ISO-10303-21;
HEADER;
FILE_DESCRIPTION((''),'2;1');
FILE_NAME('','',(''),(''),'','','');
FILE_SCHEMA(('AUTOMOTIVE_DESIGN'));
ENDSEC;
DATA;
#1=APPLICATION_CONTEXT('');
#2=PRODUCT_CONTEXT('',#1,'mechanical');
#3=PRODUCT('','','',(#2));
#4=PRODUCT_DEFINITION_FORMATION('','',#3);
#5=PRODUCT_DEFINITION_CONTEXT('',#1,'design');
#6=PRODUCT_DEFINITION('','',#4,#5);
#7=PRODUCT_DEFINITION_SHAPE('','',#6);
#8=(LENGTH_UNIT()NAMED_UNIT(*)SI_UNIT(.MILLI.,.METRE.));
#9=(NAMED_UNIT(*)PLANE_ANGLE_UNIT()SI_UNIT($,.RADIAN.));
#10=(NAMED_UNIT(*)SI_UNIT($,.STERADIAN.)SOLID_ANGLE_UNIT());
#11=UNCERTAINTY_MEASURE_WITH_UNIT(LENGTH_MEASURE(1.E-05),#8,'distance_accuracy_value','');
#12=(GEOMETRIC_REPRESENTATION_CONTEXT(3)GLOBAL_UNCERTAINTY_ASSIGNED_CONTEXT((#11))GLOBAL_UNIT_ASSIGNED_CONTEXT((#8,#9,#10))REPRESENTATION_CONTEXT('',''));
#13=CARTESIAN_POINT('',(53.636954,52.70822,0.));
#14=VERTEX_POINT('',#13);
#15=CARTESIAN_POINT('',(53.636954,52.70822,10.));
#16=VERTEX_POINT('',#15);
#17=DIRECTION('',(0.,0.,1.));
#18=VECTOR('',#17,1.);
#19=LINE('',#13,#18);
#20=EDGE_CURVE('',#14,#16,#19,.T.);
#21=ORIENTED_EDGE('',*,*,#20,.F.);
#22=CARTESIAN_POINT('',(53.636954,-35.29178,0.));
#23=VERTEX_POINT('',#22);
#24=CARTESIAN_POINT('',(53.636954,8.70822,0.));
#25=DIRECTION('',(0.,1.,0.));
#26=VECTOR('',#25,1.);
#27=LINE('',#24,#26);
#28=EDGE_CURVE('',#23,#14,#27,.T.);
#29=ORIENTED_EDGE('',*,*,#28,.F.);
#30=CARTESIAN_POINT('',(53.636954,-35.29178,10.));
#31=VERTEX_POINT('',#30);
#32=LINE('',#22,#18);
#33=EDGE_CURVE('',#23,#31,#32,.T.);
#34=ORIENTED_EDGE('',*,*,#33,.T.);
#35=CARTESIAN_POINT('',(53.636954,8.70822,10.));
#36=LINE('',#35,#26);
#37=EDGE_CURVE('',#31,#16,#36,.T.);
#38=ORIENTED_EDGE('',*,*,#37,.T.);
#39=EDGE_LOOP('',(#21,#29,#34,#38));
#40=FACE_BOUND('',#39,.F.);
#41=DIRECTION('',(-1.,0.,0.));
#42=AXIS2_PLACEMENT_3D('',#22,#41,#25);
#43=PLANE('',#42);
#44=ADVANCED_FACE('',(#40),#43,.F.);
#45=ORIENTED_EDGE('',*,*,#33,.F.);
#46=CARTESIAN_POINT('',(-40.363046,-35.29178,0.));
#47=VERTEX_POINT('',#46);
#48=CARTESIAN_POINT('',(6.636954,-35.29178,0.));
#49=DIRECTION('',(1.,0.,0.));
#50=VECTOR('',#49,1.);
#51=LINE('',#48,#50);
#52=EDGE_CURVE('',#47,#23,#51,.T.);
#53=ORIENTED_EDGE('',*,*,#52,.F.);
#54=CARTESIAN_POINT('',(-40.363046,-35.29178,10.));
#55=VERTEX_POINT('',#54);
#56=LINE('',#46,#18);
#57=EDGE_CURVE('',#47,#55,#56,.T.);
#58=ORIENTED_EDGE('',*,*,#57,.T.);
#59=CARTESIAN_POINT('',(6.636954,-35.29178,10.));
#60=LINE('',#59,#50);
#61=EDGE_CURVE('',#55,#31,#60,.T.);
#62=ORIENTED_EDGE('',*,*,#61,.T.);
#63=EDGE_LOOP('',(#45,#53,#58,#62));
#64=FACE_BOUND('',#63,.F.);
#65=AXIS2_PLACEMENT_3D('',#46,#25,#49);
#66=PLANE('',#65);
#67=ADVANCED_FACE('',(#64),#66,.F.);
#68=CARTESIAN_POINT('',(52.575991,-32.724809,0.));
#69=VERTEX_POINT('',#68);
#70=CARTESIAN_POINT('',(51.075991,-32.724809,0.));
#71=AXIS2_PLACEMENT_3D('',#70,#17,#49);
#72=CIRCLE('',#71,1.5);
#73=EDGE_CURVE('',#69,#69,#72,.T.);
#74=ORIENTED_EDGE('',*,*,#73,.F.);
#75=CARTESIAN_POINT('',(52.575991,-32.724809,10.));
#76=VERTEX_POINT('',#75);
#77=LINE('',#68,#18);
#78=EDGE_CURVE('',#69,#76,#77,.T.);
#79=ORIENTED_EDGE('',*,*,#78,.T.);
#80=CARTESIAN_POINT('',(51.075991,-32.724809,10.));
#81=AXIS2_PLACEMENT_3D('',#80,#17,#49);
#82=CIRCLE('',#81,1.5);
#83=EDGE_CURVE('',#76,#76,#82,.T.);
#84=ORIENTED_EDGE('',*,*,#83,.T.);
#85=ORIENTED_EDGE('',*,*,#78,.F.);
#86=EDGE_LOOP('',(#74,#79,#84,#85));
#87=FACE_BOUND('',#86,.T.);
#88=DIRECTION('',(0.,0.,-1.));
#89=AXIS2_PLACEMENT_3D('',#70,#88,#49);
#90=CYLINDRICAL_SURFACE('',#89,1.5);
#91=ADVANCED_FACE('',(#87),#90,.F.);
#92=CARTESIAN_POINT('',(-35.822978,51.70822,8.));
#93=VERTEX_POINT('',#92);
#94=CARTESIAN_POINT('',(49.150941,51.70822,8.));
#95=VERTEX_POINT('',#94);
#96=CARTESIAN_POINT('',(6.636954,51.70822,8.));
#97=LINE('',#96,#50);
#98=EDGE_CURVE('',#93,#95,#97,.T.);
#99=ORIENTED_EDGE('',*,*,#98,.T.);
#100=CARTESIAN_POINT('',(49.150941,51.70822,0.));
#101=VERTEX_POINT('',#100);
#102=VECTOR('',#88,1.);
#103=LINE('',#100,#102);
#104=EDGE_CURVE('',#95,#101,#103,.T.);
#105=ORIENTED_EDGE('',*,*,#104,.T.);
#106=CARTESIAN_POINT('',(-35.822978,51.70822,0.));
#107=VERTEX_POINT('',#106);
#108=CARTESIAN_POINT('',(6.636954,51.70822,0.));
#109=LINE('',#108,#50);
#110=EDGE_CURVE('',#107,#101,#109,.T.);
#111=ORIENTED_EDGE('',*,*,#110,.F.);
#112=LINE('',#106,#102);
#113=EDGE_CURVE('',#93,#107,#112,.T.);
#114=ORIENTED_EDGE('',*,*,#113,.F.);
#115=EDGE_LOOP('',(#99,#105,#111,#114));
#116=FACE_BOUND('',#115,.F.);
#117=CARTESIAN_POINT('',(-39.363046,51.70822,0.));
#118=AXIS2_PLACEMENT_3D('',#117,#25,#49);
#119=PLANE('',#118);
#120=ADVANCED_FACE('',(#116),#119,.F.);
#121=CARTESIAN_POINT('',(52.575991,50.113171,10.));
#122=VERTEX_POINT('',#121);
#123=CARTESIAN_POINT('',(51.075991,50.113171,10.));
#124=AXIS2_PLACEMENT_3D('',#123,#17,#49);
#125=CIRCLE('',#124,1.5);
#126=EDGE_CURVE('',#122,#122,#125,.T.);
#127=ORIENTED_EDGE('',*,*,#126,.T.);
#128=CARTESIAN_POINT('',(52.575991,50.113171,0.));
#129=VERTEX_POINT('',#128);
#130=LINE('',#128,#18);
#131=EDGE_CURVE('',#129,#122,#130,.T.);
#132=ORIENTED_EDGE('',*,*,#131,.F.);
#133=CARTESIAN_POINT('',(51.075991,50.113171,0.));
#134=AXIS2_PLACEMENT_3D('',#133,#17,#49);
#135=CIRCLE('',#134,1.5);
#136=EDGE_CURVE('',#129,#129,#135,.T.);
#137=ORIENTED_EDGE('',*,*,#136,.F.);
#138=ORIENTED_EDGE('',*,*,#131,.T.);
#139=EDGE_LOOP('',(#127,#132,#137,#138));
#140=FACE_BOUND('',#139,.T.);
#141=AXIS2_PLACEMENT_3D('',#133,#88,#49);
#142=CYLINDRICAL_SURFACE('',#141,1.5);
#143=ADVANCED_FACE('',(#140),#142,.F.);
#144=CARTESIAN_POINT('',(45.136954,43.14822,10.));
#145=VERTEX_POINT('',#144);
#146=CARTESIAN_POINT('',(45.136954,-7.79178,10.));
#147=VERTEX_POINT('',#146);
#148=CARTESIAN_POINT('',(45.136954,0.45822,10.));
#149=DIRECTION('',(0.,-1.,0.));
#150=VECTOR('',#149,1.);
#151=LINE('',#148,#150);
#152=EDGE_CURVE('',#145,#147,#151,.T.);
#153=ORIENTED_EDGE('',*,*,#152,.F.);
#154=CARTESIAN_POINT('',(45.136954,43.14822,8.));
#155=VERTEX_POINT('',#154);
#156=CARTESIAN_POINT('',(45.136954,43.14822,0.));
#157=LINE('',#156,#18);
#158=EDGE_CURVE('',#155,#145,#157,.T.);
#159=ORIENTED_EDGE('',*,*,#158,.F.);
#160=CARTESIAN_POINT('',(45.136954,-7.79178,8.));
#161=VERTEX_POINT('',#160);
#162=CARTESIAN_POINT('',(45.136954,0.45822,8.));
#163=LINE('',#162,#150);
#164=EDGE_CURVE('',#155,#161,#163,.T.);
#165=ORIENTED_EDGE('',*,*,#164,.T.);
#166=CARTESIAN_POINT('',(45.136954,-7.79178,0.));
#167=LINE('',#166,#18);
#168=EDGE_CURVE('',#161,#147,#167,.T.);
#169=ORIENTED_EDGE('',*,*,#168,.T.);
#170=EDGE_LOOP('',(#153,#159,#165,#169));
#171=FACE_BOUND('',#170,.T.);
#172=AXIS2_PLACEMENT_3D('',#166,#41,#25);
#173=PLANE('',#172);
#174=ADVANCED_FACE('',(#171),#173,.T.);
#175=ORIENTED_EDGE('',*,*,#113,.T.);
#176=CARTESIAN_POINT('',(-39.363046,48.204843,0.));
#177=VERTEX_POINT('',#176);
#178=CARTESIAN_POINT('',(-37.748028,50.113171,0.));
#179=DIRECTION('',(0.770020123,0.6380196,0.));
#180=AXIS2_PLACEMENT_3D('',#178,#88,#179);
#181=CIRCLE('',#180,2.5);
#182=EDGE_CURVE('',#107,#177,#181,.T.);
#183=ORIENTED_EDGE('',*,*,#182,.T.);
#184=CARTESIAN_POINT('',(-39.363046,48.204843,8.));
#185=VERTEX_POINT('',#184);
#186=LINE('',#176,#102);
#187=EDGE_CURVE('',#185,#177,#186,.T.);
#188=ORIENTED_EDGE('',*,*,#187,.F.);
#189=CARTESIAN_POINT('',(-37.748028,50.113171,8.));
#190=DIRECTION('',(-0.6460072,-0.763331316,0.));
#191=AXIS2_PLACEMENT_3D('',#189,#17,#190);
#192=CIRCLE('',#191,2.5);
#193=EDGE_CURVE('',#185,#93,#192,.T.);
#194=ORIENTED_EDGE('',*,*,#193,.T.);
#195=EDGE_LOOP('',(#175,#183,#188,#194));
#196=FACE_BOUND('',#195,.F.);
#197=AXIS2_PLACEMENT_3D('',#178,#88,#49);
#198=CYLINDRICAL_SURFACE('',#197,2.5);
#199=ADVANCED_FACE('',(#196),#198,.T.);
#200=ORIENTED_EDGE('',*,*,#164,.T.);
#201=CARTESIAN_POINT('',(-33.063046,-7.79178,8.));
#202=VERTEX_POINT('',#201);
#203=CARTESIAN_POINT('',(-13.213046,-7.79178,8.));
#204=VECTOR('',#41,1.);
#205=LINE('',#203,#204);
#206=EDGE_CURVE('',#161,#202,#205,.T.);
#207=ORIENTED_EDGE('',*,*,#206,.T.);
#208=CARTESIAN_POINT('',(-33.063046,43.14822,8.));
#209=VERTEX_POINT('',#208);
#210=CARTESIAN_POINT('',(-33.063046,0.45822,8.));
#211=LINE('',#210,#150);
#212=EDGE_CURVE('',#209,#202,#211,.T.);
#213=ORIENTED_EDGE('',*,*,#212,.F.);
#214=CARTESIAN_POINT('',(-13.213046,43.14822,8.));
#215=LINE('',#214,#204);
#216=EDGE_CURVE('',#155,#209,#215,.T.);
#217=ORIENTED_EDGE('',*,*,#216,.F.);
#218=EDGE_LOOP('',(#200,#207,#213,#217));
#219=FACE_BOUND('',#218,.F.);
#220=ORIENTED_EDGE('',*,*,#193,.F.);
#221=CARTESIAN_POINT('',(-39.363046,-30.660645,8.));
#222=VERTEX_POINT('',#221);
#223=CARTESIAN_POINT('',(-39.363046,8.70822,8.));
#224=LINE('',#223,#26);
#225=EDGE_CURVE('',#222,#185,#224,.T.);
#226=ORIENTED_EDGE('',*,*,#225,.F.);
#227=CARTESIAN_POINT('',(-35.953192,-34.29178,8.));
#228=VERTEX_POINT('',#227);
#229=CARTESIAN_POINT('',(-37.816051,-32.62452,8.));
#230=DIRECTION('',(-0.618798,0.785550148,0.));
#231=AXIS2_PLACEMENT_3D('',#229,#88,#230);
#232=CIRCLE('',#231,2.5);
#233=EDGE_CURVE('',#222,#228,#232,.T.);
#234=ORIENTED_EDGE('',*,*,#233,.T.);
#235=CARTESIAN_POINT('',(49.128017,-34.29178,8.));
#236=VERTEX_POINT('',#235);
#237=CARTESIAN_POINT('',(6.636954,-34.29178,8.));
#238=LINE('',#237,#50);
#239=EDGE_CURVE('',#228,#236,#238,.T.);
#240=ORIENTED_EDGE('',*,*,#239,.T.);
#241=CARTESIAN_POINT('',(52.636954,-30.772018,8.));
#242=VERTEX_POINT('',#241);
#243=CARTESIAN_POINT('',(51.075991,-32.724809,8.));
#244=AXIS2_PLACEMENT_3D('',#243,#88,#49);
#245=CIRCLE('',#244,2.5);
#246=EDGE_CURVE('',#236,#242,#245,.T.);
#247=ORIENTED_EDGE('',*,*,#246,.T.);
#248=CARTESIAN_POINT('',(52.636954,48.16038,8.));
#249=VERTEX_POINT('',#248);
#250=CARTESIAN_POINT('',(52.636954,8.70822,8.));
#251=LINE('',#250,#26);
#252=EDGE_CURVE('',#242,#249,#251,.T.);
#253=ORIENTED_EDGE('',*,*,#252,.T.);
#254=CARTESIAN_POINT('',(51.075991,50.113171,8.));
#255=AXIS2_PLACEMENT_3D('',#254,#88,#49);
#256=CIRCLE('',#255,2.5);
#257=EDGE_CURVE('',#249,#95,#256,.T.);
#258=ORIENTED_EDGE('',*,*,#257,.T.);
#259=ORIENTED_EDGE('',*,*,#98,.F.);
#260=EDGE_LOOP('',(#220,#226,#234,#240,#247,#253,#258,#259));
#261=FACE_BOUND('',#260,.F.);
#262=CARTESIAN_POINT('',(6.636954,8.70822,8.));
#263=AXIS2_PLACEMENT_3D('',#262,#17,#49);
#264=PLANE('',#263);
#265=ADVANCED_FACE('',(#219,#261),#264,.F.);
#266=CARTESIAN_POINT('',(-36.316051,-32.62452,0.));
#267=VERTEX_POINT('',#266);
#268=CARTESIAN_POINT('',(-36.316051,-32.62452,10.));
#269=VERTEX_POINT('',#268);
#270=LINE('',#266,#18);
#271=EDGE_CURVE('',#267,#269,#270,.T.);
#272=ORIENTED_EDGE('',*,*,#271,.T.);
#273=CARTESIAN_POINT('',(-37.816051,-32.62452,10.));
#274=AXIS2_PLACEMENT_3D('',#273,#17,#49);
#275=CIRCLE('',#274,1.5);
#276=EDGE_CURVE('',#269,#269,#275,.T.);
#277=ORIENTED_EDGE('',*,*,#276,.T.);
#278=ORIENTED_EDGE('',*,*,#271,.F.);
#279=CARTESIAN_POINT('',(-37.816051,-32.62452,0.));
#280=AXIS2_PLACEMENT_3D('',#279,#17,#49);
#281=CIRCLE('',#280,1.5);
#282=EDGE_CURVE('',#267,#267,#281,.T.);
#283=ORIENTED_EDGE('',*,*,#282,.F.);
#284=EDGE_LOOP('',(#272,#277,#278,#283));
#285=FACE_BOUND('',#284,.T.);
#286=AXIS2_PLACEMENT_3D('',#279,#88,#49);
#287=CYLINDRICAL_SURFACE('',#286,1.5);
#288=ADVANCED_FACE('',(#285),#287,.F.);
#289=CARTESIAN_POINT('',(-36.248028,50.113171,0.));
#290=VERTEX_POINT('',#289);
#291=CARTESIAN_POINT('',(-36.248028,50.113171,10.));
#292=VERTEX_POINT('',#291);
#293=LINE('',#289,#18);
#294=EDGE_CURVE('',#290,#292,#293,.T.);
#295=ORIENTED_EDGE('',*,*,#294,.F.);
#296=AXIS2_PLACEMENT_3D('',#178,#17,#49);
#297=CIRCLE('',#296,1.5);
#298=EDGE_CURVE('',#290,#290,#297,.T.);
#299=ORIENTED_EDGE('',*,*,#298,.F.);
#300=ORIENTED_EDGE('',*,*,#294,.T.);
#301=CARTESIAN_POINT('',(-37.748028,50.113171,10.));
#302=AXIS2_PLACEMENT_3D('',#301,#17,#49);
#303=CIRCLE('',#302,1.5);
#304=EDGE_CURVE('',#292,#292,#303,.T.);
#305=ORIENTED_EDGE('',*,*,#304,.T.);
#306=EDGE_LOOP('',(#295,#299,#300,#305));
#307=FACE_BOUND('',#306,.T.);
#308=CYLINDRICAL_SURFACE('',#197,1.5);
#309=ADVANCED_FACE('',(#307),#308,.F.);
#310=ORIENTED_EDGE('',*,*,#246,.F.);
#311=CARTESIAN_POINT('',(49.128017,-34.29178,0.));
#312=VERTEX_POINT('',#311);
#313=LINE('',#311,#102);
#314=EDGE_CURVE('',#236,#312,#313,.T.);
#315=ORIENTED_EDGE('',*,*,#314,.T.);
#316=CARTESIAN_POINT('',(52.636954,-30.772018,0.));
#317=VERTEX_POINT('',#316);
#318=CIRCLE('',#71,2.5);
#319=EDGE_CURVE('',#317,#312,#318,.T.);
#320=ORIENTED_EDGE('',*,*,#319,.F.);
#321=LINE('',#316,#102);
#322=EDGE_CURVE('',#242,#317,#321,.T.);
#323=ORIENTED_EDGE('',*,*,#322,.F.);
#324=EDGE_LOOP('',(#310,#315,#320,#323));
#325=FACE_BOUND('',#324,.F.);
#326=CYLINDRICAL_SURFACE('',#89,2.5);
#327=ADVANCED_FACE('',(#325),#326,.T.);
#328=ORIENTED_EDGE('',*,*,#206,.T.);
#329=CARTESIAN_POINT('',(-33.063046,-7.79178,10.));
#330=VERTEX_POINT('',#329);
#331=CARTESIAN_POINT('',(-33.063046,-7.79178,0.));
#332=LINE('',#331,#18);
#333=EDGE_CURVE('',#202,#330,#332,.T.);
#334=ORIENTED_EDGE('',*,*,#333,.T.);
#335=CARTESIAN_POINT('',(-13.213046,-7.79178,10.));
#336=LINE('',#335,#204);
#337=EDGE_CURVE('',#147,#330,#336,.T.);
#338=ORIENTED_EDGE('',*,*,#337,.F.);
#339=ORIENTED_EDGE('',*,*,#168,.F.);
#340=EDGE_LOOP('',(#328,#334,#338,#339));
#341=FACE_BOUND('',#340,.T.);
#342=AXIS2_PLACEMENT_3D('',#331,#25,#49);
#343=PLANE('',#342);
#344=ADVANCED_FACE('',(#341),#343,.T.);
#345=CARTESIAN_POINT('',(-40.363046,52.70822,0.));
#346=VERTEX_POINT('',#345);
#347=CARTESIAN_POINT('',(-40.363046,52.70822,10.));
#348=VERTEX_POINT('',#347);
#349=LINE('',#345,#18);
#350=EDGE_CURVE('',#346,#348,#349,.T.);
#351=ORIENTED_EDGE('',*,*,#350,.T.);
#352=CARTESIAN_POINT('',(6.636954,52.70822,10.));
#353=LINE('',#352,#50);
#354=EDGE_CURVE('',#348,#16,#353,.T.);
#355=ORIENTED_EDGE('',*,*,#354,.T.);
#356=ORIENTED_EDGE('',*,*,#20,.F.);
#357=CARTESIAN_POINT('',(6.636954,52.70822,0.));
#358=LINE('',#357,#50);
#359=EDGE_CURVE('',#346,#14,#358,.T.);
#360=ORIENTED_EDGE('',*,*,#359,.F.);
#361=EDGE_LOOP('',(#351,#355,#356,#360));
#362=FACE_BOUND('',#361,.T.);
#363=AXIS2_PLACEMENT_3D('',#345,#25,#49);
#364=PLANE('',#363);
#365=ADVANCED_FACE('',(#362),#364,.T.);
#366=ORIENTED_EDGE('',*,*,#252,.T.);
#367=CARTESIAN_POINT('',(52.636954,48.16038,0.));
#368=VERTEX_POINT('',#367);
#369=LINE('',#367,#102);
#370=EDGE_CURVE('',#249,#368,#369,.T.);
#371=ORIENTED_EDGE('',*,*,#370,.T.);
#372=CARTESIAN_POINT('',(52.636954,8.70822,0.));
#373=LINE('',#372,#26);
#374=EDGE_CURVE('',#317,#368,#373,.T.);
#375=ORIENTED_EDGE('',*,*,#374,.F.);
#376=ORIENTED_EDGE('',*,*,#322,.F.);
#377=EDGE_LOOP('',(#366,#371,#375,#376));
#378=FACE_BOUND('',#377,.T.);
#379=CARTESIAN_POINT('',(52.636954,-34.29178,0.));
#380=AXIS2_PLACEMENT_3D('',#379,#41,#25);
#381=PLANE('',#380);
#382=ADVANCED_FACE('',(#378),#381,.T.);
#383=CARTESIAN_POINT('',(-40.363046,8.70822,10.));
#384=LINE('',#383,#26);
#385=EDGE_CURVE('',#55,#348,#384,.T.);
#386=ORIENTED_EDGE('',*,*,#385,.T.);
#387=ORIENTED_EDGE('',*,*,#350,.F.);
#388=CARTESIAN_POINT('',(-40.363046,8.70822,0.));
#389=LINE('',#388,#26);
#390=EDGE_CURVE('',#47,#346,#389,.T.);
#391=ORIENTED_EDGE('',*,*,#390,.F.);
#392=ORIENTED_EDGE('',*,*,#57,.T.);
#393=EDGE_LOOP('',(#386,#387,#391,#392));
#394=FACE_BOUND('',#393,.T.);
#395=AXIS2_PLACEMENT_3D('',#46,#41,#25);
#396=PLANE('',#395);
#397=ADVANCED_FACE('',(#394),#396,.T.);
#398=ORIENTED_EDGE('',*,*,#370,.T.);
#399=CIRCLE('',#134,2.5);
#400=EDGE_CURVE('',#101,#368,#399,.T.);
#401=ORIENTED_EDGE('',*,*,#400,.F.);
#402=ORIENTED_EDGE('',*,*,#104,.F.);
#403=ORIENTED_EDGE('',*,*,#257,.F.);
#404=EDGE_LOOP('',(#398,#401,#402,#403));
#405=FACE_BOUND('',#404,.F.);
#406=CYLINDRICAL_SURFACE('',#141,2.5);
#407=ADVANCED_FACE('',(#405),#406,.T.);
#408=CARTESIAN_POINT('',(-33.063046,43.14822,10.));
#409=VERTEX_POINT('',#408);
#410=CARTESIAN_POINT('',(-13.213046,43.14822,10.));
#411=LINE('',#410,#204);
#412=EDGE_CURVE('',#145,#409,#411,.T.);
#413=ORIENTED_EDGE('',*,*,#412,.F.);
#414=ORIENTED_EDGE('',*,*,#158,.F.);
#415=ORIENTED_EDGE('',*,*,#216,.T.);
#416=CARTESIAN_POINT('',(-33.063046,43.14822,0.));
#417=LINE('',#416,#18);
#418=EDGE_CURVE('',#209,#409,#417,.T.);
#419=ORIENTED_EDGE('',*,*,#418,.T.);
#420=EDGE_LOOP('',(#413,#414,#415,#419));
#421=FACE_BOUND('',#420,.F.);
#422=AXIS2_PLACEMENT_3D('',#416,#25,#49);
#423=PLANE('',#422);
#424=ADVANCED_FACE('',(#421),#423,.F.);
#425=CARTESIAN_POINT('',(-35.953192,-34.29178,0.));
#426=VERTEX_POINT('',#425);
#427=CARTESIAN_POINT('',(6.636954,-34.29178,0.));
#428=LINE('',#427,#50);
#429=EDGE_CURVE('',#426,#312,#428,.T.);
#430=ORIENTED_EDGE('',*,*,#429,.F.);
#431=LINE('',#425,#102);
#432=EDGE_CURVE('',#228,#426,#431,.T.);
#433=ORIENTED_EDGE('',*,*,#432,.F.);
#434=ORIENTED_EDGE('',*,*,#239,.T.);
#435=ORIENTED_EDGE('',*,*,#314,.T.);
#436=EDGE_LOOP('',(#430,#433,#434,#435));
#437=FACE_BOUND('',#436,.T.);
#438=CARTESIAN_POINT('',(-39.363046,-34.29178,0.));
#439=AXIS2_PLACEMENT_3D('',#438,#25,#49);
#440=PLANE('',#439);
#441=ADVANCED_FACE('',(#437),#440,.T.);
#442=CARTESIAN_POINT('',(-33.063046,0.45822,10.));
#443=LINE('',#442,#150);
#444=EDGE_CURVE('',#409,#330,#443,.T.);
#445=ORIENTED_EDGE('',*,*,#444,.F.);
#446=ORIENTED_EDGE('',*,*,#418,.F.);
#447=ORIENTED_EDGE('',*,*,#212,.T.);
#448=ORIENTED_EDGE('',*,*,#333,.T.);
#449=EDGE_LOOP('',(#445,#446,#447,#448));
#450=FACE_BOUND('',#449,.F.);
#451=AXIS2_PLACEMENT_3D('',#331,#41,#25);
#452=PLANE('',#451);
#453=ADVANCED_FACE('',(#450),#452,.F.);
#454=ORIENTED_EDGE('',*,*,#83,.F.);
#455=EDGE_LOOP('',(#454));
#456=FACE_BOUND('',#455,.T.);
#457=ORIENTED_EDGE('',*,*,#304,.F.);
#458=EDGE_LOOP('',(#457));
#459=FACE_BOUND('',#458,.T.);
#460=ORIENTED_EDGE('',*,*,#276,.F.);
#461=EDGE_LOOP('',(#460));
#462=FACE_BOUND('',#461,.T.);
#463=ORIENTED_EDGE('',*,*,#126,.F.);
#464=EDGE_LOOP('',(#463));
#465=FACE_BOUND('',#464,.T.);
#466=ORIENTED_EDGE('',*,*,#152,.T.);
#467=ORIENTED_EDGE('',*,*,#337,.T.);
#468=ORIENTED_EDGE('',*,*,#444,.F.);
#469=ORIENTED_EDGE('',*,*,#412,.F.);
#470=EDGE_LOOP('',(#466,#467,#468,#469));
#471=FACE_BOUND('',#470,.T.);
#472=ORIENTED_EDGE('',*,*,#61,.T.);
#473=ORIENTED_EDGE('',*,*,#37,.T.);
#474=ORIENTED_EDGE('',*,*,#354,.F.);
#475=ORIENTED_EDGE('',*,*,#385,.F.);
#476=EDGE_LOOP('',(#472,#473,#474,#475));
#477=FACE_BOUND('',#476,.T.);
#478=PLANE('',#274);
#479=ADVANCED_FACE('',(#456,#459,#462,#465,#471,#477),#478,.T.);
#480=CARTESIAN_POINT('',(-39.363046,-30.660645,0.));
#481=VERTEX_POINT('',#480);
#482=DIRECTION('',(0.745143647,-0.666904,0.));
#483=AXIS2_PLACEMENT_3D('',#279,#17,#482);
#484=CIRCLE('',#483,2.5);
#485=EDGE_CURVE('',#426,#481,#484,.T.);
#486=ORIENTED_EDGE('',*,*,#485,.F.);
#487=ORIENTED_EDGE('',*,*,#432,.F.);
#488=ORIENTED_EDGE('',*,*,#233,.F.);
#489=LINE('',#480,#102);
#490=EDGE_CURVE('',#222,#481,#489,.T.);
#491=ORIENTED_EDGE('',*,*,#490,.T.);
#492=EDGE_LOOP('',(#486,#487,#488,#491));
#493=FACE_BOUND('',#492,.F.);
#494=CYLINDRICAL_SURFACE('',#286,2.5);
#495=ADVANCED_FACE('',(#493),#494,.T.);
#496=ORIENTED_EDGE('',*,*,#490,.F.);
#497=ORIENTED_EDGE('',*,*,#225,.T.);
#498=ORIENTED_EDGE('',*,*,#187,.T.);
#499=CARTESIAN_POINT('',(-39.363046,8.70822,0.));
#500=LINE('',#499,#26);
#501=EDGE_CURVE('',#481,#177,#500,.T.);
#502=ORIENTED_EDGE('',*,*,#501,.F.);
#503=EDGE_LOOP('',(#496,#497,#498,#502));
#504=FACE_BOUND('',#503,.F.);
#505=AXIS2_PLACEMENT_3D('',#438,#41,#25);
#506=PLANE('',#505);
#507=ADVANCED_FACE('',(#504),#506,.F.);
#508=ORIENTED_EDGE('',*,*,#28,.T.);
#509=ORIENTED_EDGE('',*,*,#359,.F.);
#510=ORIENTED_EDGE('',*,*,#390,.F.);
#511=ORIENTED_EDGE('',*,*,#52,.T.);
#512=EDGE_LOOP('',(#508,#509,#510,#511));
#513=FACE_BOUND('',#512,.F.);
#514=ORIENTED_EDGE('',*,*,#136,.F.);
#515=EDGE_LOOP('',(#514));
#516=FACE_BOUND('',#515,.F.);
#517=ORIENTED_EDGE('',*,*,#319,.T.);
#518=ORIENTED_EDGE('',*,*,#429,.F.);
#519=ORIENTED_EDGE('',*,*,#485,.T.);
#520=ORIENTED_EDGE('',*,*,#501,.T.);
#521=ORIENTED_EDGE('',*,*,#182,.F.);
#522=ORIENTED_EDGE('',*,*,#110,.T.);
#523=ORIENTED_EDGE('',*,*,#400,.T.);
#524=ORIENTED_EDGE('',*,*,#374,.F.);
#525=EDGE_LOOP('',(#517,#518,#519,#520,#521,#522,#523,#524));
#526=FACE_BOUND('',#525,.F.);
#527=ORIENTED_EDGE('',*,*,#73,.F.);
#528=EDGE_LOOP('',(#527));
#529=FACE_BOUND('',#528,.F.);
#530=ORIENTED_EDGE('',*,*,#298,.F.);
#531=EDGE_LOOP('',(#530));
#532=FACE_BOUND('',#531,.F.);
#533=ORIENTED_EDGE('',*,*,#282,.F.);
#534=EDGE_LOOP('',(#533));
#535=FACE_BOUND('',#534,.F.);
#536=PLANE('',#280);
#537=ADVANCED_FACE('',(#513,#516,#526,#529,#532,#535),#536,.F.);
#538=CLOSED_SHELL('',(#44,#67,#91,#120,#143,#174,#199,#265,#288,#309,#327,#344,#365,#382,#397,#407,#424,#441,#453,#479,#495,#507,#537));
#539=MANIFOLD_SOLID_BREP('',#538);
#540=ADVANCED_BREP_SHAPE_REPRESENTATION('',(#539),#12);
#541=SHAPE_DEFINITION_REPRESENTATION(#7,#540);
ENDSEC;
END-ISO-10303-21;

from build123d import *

# Parameters (mm, degrees)
F0_W     = 94
F0_H     = 88
F0_R     = 2.5
F1_DEPTH = 10
F2_W     = 92
F2_H     = 86
F3_DEPTH = 8
F4_W     = 78.2
F4_H     = 50.94
F5_DEPTH = 25
F0_R_2   = 1.5
F6_DEPTH = 10


with BuildPart() as f1:
    # F0 (on Top) → F1 (new body)
    with BuildSketch(Plane.XY):
        with Locations((6.636954, 8.70822)):
            Rectangle(F0_W, F0_H)
        with Locations((-37.816051, -32.62452)):
            Circle(F0_R, mode=Mode.SUBTRACT)
        with Locations((51.075991, -32.724809)):
            Circle(F0_R, mode=Mode.SUBTRACT)
        with Locations((-37.748028, 50.113171)):
            Circle(F0_R, mode=Mode.SUBTRACT)
        with Locations((51.075991, 50.113171)):
            Circle(F0_R, mode=Mode.SUBTRACT)
    extrude(amount=F1_DEPTH)

    # F2 (on Top) → F3 (cut)
    with BuildSketch(Plane.XY):
        with Locations((6.636954, 8.70822)):
            Rectangle(F2_W, F2_H)
    extrude(amount=F3_DEPTH, mode=Mode.SUBTRACT)

    # F4 (on Top) → F5 (cut)
    with BuildSketch(Plane.XY):
        with Locations((6.036954, 17.67822)):
            Rectangle(F4_W, F4_H)
    extrude(amount=F5_DEPTH, mode=Mode.SUBTRACT)

    # F0 (on Top) → F6 (join)
    with BuildSketch(Plane.XY):
        with Locations((-37.816051, -32.62452)):
            Circle(F0_R)
        with Locations((-37.816051, -32.62452)):
            Circle(F0_R_2, mode=Mode.SUBTRACT)
        with Locations((-37.748028, 50.113171)):
            Circle(F0_R)
        with Locations((-37.748028, 50.113171)):
            Circle(F0_R_2, mode=Mode.SUBTRACT)
        with Locations((51.075991, 50.113171)):
            Circle(F0_R)
        with Locations((51.075991, 50.113171)):
            Circle(F0_R_2, mode=Mode.SUBTRACT)
        with Locations((51.075991, -32.724809)):
            Circle(F0_R)
        with Locations((51.075991, -32.724809)):
            Circle(F0_R_2, mode=Mode.SUBTRACT)
    extrude(amount=F6_DEPTH)


solid = f1.part
